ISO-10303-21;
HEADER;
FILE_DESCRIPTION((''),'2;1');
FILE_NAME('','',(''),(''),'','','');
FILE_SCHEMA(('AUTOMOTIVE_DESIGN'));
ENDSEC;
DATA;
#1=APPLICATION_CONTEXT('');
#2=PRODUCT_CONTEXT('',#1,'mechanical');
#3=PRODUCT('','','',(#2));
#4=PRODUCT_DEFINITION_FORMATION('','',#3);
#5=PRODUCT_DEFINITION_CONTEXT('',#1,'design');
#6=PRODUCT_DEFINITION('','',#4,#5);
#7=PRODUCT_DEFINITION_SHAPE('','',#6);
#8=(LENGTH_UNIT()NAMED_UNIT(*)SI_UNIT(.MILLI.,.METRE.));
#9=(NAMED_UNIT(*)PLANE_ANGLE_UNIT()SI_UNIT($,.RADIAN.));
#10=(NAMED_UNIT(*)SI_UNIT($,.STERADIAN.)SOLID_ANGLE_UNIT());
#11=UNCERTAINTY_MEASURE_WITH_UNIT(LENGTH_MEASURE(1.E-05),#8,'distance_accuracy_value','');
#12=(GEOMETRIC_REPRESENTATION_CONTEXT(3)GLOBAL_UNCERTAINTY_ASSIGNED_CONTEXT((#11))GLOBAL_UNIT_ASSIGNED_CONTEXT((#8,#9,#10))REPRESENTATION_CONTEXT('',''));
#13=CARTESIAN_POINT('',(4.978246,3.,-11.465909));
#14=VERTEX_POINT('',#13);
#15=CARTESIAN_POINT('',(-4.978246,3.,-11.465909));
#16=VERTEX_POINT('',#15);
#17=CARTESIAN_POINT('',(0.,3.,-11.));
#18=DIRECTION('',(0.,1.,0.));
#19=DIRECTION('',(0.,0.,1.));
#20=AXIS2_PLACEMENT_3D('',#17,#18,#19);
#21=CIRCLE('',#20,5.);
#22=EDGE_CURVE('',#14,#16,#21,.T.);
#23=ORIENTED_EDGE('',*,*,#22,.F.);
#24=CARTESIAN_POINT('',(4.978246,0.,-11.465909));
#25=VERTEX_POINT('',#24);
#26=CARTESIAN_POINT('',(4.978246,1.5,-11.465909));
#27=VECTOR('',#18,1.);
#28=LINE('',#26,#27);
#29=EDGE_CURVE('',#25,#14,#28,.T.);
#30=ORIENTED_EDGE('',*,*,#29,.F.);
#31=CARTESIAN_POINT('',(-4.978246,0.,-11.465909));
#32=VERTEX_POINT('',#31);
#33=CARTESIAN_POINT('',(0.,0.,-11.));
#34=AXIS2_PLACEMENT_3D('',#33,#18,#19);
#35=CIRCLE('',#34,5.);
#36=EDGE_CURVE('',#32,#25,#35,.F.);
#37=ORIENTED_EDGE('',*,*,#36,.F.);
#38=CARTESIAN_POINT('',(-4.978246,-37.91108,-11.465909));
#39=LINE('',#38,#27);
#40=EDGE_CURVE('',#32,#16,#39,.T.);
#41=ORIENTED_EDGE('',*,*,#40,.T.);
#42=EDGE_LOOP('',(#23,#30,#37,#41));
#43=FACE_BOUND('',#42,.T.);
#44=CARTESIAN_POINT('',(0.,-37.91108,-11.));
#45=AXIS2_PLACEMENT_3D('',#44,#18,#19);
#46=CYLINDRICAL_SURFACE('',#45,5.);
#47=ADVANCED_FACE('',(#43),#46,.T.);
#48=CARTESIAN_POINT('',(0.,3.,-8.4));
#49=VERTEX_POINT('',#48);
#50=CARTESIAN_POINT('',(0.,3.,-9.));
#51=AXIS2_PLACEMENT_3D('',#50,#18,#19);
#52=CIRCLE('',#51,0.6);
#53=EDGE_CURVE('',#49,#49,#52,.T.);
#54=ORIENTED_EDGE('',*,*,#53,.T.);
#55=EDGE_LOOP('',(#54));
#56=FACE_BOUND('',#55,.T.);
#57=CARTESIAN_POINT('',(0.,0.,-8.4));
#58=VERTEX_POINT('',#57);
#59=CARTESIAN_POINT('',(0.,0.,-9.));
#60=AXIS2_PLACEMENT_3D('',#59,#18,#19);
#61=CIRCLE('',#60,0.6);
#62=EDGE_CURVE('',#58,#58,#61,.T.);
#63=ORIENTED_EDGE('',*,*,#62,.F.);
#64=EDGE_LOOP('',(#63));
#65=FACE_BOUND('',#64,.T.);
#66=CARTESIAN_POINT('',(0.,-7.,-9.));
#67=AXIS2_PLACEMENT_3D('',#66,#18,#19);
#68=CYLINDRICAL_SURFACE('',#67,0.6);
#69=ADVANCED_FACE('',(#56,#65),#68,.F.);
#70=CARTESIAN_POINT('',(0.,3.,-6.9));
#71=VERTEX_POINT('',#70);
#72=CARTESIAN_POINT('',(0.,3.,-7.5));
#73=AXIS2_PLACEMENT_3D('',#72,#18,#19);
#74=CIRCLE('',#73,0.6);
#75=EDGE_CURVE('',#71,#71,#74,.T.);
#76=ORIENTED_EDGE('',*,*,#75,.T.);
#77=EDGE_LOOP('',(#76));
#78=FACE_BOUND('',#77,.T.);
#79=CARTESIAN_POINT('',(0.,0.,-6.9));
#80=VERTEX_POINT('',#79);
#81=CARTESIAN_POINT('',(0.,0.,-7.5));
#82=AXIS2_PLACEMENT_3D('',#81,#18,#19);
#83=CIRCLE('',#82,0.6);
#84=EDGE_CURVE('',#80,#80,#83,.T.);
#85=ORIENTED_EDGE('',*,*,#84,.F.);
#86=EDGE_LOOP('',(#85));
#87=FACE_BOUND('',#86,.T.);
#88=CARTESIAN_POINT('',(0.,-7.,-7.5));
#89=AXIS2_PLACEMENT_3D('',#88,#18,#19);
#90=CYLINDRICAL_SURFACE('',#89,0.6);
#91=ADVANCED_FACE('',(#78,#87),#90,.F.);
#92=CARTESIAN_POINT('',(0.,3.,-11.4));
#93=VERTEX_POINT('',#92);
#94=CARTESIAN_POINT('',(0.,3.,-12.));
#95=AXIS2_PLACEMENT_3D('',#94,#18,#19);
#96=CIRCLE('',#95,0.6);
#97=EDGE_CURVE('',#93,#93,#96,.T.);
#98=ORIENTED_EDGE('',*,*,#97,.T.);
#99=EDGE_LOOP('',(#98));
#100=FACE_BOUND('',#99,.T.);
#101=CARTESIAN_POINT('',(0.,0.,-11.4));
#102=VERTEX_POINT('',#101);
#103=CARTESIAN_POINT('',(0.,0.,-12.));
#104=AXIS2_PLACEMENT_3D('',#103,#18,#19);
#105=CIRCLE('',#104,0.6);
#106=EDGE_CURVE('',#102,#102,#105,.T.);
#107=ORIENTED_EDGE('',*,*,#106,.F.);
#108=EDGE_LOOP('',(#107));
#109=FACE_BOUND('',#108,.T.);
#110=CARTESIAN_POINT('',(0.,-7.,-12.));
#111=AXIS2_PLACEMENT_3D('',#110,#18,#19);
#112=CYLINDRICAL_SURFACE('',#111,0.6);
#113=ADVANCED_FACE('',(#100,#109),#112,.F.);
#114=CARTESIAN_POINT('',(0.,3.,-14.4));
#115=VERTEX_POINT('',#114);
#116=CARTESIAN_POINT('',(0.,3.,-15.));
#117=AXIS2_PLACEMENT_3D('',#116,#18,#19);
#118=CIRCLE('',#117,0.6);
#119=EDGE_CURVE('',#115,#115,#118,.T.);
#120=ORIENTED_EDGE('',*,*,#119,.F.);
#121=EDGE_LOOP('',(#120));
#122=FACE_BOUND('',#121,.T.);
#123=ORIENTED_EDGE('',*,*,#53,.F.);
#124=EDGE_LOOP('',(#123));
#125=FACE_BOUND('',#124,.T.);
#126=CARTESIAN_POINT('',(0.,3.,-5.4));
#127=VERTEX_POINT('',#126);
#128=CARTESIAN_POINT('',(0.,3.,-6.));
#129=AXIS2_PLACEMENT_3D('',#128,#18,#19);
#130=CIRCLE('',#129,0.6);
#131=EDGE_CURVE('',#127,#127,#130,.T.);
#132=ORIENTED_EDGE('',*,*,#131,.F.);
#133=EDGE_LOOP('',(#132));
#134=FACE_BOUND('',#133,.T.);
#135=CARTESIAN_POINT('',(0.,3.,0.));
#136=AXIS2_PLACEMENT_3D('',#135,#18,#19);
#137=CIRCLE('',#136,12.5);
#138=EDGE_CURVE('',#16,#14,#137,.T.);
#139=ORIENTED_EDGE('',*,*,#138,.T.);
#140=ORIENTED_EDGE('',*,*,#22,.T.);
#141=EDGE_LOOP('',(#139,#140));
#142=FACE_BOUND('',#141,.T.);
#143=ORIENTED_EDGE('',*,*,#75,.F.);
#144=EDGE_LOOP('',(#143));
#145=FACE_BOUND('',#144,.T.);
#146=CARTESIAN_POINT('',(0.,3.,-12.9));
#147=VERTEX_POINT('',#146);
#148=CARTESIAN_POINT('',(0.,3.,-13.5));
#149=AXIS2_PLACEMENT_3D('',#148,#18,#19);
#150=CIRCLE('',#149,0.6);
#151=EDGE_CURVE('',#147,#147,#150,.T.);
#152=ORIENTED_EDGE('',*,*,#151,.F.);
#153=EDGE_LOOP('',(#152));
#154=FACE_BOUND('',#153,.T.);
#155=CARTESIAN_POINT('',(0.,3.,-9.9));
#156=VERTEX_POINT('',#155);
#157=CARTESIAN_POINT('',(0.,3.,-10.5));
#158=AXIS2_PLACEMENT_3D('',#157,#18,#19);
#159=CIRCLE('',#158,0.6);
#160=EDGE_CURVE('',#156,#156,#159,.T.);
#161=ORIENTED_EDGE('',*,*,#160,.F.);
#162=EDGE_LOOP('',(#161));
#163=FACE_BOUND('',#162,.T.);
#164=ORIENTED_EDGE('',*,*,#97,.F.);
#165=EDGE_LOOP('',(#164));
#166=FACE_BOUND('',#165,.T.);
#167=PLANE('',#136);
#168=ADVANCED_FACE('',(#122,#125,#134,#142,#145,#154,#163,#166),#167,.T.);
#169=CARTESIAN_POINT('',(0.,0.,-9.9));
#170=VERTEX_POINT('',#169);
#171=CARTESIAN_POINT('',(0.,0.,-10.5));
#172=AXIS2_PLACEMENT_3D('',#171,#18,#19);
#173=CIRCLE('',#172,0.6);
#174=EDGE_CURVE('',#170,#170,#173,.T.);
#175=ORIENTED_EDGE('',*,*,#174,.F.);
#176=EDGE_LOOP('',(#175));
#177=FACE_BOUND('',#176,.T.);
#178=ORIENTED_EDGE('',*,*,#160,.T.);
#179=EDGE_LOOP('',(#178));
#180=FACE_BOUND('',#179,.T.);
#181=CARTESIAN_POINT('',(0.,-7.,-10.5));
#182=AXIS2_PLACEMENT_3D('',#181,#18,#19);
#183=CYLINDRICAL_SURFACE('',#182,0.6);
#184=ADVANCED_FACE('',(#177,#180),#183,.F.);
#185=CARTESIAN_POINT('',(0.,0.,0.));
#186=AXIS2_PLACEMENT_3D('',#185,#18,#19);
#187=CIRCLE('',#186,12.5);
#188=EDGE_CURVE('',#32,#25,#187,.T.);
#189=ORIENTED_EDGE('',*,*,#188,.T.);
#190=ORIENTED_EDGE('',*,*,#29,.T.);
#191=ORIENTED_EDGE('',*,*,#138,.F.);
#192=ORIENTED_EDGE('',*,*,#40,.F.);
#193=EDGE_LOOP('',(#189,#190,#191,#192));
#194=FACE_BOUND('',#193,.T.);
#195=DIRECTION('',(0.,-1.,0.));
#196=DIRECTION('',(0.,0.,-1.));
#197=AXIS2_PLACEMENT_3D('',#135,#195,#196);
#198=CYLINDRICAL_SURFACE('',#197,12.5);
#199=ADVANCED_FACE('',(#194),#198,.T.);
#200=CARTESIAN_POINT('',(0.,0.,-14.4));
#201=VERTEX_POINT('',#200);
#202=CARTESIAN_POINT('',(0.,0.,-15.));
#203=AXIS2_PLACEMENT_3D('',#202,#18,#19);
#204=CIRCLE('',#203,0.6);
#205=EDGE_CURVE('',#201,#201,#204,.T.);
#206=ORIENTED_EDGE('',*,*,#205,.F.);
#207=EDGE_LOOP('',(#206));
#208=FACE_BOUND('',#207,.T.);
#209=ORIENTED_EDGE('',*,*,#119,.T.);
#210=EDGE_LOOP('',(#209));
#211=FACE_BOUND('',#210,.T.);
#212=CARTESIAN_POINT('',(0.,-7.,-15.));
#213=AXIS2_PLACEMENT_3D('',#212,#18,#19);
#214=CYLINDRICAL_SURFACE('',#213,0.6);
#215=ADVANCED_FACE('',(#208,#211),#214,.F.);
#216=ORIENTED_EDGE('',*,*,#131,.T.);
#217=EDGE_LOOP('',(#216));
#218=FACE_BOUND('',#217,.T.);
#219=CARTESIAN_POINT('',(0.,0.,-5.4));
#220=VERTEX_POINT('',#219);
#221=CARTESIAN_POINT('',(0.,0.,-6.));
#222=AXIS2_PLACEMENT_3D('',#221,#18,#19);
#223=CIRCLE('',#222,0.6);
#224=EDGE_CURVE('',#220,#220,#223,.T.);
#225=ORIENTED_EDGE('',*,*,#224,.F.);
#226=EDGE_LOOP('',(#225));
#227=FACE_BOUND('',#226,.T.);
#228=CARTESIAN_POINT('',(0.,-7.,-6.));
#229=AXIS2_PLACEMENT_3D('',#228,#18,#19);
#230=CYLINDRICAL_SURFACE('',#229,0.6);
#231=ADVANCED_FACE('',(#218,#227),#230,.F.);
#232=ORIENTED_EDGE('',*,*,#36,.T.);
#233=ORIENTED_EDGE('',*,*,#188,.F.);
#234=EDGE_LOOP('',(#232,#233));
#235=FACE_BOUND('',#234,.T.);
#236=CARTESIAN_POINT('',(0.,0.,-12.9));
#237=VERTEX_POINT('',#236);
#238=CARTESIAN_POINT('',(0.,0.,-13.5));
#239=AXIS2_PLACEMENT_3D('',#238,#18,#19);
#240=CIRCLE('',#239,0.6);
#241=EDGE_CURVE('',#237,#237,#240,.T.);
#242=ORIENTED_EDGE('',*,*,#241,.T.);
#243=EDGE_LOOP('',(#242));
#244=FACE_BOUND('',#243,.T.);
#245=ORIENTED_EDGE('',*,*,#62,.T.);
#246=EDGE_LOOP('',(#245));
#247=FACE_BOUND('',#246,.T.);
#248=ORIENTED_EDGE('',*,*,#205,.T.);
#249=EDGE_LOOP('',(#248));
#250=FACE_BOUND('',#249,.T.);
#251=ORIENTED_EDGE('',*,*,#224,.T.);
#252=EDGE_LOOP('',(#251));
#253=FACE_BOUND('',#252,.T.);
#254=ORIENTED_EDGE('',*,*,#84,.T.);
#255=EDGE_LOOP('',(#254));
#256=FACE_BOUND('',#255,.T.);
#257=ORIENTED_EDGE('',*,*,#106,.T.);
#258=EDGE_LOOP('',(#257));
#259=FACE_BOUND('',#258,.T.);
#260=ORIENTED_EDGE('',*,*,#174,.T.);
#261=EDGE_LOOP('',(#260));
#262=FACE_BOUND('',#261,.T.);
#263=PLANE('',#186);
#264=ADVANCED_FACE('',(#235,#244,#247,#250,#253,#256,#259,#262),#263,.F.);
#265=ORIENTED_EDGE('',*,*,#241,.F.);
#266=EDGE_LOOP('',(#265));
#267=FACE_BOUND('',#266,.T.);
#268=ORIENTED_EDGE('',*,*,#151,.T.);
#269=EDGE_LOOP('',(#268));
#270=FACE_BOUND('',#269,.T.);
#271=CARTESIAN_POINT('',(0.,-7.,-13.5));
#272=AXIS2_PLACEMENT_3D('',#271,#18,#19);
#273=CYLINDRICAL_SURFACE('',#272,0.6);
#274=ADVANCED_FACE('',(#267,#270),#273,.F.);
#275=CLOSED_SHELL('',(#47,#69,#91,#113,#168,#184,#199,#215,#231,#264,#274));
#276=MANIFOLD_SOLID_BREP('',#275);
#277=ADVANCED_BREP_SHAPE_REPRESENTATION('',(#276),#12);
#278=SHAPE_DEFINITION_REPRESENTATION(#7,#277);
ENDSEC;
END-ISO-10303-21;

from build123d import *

# Parameters (mm, degrees)
SKETCH1_R           = 12.5
BOSS_EXTRUDE1_DEPTH = 3
SKETCH3_R           = 5
BOSS_EXTRUDE2_DEPTH = 3
CUT_EXTRUDE1_DEPTH  = 10


with BuildPart() as part:
    # Sketch1 → Boss-Extrude1 (new body)
    with BuildSketch(Plane(origin=(0, 0, 0), x_dir=(1, 0, 0), z_dir=(0, 1, 0))):
        Circle(SKETCH1_R)
    extrude(amount=BOSS_EXTRUDE1_DEPTH)

    # Sketch3 → Boss-Extrude2 (add)
    with BuildSketch(Plane(origin=(0, 3, 0), x_dir=(1, 0, 0), z_dir=(0, 1, 0))):
        with Locations((0, 11)):
            Circle(SKETCH3_R)
    extrude(amount=-BOSS_EXTRUDE2_DEPTH)

    # Sketch4 → Cut-Extrude1 (cut)
    with BuildSketch(Plane(origin=(0, 3, 0), x_dir=(1, 0, 0), z_dir=(0, 1, 0))):
        with BuildLine():
            ThreePointArc((0.6, 6), (0.424264069, 6.424264069), (0, 6.6))
            Line((0, 6.6), (0, 5.4))
            ThreePointArc((0, 5.4), (0.424264069, 5.575735931), (0.6, 6))
        make_face()
        with BuildLine():
            Line((0, 5.4), (0, 6.6))
            ThreePointArc((0, 6.6), (-0.6, 6), (0, 5.4))
        make_face()
        with BuildLine():
            ThreePointArc((0.6, 7.5), (0.424264069, 7.924264069), (0, 8.1))
            Line((0, 8.1), (0, 6.9))
            ThreePointArc((0, 6.9), (0.424264069, 7.075735931), (0.6, 7.5))
        make_face()
        with BuildLine():
            Line((0, 6.9), (0, 8.1))
            ThreePointArc((0, 8.1), (-0.6, 7.5), (0, 6.9))
        make_face()
        with BuildLine():
            ThreePointArc((0.6, 9), (0.424264069, 9.424264069), (0, 9.6))
            Line((0, 9.6), (0, 8.4))
            ThreePointArc((0, 8.4), (0.424264069, 8.575735931), (0.6, 9))
        make_face()
        with BuildLine():
            Line((0, 8.4), (0, 9.6))
            ThreePointArc((0, 9.6), (-0.6, 9), (0, 8.4))
        make_face()
        with BuildLine():
            ThreePointArc((0.6, 10.5), (0.424264069, 10.924264069), (0, 11.1))
            Line((0, 11.1), (0, 9.9))
            ThreePointArc((0, 9.9), (0.424264069, 10.075735931), (0.6, 10.5))
        make_face()
        with BuildLine():
            Line((0, 9.9), (0, 11.1))
            ThreePointArc((0, 11.1), (-0.6, 10.5), (0, 9.9))
        make_face()
        with BuildLine():
            ThreePointArc((0.6, 12), (0.424264069, 12.424264069), (0, 12.6))
            Line((0, 12.6), (0, 11.4))
            ThreePointArc((0, 11.4), (0.424264069, 11.575735931), (0.6, 12))
        make_face()
        with BuildLine():
            Line((0, 11.4), (0, 12.6))
            ThreePointArc((0, 12.6), (-0.6, 12), (0, 11.4))
        make_face()
        with BuildLine():
            ThreePointArc((0.6, 13.5), (0.424264069, 13.924264069), (0, 14.1))
            Line((0, 14.1), (0, 12.9))
            ThreePointArc((0, 12.9), (0.424264069, 13.075735931), (0.6, 13.5))
        make_face()
        with BuildLine():
            Line((0, 12.9), (0, 14.1))
            ThreePointArc((0, 14.1), (-0.6, 13.5), (0, 12.9))
        make_face()
        with BuildLine():
            ThreePointArc((0.6, 15), (0.424264069, 15.424264069), (0, 15.6))
            Line((0, 15.6), (0, 14.4))
            ThreePointArc((0, 14.4), (0.424264069, 14.575735931), (0.6, 15))
        make_face()
        with BuildLine():
            Line((0, 14.4), (0, 15.6))
            ThreePointArc((0, 15.6), (-0.6, 15), (0, 14.4))
        make_face()
    extrude(amount=-CUT_EXTRUDE1_DEPTH, mode=Mode.SUBTRACT)


solid = part.part
